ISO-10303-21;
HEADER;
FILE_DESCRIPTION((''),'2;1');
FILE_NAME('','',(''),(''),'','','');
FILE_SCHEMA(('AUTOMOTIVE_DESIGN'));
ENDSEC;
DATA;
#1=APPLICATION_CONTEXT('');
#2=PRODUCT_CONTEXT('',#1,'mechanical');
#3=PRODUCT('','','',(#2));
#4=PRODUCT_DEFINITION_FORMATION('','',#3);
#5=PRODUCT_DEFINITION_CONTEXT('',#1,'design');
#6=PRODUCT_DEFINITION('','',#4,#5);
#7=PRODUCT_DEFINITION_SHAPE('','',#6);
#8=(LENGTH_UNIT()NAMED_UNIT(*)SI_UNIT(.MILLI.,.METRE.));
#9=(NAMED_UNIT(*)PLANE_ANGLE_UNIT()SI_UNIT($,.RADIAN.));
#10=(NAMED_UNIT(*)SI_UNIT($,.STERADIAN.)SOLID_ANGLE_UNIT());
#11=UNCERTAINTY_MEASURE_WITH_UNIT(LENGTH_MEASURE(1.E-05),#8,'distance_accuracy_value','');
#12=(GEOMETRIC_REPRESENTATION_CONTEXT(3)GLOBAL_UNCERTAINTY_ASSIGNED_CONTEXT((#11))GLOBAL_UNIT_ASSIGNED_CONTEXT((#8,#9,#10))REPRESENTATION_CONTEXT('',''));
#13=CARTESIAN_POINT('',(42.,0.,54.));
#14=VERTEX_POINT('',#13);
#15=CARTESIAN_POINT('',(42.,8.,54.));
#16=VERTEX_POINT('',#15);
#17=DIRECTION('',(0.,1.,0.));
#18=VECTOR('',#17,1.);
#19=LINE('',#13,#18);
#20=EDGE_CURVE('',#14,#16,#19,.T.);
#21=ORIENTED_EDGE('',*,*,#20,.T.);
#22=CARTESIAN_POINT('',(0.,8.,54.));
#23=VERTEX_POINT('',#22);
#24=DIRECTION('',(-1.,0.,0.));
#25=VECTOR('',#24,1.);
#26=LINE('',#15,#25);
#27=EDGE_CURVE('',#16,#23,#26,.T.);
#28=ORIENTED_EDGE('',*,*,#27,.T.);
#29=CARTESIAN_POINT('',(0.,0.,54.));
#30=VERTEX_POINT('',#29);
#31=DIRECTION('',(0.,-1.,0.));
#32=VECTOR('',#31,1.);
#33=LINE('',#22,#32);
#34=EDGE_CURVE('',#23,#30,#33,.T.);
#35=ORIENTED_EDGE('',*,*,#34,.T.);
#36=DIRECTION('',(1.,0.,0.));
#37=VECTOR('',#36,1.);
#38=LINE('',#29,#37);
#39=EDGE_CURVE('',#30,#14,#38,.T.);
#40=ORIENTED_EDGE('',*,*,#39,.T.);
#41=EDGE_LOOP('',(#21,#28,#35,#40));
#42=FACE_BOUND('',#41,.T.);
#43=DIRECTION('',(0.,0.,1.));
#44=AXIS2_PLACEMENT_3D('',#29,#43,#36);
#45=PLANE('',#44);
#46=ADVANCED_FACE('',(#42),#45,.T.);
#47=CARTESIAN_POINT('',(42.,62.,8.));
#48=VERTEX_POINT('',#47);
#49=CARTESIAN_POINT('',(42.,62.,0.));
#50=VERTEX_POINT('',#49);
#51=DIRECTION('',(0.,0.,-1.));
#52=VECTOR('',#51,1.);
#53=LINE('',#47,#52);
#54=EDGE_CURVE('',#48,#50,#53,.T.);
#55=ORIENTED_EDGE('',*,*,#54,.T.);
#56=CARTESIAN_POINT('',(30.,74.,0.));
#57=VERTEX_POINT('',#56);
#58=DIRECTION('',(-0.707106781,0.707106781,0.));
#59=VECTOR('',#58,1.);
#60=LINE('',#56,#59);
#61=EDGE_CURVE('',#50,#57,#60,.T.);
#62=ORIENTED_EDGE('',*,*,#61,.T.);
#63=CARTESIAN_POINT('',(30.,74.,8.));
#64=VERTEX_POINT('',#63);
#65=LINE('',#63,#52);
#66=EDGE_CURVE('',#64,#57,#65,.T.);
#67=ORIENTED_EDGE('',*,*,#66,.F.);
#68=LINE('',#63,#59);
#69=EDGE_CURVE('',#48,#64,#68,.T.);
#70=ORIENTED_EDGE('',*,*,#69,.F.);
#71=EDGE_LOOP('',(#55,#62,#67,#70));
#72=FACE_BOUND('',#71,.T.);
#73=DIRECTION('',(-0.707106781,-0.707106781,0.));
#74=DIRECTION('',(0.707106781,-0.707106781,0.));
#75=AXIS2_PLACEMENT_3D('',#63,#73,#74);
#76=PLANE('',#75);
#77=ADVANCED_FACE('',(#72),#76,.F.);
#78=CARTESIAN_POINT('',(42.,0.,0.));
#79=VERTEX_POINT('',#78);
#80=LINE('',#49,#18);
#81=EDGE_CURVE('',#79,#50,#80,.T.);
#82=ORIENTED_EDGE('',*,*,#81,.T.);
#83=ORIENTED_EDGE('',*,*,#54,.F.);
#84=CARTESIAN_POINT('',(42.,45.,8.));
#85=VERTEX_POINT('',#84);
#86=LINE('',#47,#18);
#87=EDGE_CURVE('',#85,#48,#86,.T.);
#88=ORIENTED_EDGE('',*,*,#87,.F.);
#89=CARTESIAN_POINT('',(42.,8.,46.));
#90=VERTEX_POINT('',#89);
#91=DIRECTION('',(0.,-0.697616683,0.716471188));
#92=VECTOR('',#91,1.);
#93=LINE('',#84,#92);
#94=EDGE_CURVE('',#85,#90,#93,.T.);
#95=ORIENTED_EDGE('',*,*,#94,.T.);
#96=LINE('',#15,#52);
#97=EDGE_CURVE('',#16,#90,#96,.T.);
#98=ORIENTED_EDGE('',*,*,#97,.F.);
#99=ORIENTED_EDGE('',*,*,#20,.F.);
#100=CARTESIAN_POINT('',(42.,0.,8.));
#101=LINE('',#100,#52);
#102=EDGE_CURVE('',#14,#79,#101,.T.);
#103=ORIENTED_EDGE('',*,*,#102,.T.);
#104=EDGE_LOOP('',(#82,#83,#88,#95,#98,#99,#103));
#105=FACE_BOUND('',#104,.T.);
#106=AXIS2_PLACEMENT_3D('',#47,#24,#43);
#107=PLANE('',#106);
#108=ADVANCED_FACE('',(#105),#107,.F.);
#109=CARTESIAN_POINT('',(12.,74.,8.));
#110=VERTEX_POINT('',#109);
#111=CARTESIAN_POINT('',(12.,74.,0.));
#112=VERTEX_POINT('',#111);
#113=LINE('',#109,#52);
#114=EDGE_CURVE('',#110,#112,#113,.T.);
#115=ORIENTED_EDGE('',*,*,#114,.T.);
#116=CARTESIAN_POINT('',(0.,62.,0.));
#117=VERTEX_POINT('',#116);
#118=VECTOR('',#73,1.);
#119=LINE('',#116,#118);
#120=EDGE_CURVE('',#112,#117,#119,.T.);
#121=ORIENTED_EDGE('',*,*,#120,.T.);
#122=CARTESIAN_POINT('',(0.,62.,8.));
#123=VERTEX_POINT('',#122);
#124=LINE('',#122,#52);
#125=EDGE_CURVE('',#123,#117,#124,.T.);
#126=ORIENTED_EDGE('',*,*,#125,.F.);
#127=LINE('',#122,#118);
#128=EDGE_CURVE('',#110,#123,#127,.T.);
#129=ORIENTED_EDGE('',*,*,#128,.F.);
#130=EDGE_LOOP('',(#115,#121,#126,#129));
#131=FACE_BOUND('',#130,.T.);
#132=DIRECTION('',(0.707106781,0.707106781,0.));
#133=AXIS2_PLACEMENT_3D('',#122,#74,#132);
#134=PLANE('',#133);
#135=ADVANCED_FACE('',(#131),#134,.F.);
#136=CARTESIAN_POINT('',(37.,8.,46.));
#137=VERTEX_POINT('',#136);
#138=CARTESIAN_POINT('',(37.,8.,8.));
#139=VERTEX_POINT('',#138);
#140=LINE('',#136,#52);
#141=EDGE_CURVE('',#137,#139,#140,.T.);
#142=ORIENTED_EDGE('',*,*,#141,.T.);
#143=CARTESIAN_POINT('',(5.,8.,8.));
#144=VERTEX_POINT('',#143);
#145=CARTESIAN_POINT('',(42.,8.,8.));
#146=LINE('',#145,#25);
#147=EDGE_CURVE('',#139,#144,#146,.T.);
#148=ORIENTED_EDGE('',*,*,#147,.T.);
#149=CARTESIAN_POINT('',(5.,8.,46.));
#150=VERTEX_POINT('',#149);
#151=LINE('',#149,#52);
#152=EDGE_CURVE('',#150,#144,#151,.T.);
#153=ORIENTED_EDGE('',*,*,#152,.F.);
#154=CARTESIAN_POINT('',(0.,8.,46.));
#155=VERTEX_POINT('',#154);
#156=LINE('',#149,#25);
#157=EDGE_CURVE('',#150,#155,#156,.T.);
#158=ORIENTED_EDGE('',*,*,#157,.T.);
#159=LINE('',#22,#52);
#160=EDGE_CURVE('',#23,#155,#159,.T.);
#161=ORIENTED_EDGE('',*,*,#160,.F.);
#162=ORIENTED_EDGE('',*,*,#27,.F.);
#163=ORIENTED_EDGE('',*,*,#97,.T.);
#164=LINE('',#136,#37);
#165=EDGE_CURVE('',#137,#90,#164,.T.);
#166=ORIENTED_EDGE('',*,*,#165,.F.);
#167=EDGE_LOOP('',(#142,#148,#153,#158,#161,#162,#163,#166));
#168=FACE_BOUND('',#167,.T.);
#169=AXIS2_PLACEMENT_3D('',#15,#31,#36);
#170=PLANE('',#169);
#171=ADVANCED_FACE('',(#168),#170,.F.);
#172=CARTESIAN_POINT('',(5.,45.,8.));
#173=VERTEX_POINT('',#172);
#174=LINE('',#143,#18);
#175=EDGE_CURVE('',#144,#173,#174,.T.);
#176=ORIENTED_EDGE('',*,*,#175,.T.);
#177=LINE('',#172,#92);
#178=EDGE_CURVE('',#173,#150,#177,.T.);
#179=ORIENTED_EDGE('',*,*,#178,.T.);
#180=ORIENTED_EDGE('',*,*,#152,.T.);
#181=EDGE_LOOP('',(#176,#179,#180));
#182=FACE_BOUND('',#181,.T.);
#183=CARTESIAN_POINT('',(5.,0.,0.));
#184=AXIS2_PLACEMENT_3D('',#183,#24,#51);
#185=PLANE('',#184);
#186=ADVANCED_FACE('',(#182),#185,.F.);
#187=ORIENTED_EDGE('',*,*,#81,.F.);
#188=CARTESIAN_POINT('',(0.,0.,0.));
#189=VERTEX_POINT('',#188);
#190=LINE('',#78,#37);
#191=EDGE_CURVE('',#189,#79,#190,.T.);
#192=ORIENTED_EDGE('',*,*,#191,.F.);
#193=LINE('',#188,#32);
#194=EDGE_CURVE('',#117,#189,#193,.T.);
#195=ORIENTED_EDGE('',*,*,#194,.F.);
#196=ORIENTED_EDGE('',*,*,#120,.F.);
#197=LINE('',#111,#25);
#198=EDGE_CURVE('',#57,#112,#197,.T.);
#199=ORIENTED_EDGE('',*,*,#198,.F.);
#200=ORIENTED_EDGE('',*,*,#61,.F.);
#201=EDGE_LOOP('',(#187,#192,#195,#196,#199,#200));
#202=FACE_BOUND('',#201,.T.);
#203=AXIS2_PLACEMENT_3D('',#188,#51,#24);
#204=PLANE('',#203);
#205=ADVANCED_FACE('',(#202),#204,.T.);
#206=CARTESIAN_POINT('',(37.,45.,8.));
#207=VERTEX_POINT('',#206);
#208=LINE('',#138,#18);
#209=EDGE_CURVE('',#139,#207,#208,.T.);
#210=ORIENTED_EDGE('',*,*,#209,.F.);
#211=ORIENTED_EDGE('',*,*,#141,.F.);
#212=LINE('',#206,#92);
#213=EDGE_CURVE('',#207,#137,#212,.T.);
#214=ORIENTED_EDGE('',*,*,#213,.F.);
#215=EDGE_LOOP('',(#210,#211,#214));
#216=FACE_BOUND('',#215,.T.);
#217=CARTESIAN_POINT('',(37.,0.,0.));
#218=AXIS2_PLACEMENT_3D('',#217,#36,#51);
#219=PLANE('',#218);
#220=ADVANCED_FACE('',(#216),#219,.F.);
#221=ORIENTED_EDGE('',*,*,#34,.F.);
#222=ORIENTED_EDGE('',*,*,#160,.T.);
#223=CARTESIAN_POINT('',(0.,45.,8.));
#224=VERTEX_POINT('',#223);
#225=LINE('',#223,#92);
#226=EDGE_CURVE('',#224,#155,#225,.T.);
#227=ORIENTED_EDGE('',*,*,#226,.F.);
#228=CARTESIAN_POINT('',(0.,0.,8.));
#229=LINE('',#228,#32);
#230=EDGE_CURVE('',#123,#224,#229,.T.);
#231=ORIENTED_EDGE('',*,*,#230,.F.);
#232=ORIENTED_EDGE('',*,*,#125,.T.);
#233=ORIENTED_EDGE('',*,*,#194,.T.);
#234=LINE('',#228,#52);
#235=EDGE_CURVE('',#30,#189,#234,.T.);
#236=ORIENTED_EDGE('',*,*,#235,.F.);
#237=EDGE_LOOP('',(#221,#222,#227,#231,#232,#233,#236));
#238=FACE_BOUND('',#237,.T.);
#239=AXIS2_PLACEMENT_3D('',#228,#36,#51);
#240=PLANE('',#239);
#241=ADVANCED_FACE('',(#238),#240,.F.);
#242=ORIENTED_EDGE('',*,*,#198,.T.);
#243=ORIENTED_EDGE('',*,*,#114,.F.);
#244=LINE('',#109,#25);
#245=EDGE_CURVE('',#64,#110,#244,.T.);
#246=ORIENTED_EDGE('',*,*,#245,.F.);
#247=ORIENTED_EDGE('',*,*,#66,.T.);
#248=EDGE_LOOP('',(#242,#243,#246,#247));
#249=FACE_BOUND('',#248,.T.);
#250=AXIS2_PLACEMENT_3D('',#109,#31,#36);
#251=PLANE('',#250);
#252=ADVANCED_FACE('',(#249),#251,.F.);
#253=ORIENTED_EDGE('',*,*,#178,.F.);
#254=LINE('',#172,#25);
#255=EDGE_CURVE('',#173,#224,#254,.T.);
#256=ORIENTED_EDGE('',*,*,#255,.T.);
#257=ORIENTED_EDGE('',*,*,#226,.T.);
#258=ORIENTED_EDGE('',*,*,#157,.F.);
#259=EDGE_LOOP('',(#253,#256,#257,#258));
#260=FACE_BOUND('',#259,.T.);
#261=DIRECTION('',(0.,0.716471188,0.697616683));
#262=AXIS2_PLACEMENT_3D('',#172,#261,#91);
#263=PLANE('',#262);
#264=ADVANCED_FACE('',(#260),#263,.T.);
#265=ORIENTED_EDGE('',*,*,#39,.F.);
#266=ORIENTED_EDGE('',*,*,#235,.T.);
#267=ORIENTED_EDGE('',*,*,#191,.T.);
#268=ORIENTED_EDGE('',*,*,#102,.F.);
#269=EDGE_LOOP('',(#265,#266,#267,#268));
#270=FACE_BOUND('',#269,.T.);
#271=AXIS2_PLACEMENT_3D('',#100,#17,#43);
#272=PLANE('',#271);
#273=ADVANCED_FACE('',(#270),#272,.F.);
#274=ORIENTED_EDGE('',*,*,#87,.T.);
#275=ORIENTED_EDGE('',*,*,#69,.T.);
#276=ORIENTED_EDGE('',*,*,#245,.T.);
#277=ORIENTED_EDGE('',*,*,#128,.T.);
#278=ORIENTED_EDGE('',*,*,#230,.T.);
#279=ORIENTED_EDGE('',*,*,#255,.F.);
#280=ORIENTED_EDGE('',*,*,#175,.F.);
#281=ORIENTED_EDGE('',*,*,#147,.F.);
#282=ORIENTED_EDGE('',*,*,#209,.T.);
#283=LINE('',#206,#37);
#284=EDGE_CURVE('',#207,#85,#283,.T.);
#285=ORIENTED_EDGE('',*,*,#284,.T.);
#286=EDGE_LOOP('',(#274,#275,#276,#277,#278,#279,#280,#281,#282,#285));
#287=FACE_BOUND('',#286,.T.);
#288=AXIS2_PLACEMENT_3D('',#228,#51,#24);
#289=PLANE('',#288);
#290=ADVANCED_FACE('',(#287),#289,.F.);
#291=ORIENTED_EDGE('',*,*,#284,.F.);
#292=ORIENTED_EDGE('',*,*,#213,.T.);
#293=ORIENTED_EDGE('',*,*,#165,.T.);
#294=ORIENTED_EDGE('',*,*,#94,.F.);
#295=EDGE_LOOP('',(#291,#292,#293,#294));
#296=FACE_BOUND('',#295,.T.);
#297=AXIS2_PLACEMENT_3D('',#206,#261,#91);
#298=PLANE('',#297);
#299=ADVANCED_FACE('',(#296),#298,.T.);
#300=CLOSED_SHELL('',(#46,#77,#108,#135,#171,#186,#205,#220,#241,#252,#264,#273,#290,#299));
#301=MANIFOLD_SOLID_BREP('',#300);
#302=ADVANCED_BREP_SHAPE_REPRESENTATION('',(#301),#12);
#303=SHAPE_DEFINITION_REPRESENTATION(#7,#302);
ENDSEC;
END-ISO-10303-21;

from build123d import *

# Parameters (mm, degrees)
BOSS_EXTRUDE1_DEPTH = 8
SKETCH2_W           = 42
SKETCH2_H           = 8
BOSS_EXTRUDE2_DEPTH = 46
BOSS_EXTRUDE3_DEPTH = 5


with BuildPart() as part:
    # Sketch1 → Boss-Extrude1 (new body)
    with BuildSketch(Plane.XY):
        Polygon((0, 0), (0, 62), (12, 74), (30, 74), (42, 62), (42, 0), align=None)
    extrude(amount=BOSS_EXTRUDE1_DEPTH)

    # Sketch2 → Boss-Extrude2 (add)
    with BuildSketch(Plane.XY.offset(8)):
        with Locations((21, 4)):
            Rectangle(SKETCH2_W, SKETCH2_H)
    extrude(amount=BOSS_EXTRUDE2_DEPTH)

    # Sketch3 → Boss-Extrude3 (add)
    with BuildSketch(Plane(origin=(42, 0, 0), x_dir=(0, 0, -1), z_dir=(1, 0, 0))):
        Polygon((-8, 8), (-8, 45), (-46, 8), align=None)
    extrude(amount=-BOSS_EXTRUDE3_DEPTH)

    # Mirror1: part across plane


with BuildPart() as part_1:
    add(part.part)
    add(part.part.mirror(Plane(origin=(21, 0, 0), x_dir=(0, 0, 1), z_dir=(1, 0, 0))))


solid = part_1.part
